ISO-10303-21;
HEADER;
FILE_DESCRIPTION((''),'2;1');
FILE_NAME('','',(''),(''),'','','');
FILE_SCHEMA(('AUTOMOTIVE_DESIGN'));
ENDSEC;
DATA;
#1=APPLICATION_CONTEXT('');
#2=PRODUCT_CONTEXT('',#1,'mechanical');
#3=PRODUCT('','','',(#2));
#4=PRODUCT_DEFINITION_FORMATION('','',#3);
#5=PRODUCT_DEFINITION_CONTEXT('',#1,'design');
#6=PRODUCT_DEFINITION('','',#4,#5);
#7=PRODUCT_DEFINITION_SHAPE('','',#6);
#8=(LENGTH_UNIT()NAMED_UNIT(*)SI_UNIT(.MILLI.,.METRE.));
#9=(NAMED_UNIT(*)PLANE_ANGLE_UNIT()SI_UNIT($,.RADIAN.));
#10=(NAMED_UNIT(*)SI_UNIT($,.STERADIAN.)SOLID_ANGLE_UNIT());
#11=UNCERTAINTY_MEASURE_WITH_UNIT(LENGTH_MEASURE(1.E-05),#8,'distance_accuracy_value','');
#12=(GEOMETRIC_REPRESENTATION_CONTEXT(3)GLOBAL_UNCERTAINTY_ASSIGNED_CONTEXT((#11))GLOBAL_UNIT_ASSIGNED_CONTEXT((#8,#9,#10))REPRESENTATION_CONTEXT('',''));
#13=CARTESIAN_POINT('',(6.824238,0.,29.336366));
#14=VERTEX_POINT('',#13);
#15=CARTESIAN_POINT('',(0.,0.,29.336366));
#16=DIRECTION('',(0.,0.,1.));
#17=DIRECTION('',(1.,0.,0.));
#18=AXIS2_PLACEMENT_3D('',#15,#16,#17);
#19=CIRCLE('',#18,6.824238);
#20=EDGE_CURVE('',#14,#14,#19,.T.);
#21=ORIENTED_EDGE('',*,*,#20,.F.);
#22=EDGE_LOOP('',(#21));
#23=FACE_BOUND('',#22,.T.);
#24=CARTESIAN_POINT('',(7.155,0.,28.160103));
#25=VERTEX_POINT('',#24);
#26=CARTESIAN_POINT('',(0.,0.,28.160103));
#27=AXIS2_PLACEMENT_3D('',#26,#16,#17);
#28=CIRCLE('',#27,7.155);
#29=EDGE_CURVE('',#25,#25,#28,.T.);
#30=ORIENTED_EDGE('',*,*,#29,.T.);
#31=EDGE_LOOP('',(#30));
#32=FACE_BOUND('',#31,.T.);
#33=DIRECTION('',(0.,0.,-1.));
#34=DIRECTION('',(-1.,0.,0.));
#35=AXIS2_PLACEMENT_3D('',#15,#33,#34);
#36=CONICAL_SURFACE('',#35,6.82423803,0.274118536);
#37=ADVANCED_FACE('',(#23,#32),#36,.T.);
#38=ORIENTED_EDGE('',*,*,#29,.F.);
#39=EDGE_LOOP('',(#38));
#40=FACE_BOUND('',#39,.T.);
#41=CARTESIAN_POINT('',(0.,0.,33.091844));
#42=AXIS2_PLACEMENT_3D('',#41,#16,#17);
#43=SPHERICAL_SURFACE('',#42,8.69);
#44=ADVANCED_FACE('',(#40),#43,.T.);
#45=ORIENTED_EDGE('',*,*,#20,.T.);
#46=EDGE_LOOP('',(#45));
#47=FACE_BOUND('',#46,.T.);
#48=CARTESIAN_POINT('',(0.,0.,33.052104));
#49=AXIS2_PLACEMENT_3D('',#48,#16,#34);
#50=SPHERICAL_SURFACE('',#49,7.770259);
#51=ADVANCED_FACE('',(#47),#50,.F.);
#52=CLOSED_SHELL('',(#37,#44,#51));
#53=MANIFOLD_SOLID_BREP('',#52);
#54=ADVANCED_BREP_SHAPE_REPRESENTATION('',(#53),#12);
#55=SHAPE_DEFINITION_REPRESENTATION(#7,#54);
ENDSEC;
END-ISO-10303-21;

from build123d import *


with BuildPart() as part:
    # 草图2 → 旋转2 (revolve)
    with BuildSketch(Plane(origin=(0, 0, 0), x_dir=(1, 0, 0), z_dir=(0, 1, 0))):
        with BuildLine():
            Line((7.155, -28.160102794), (6.82423803, -29.336366111))
            ThreePointArc((6.82423803, -29.336366111), (3.968922121, -26.371939979), (0, -25.281844373))
            Line((0, -25.281844373), (0, -24.401844373))
            ThreePointArc((0, -24.401844373), (4.040994041, -25.398570222), (7.155, -28.160102794))
        make_face()
    revolve(axis=Axis((0, 0, 24.401844373), (0, 0, -1)))


solid = part.part
